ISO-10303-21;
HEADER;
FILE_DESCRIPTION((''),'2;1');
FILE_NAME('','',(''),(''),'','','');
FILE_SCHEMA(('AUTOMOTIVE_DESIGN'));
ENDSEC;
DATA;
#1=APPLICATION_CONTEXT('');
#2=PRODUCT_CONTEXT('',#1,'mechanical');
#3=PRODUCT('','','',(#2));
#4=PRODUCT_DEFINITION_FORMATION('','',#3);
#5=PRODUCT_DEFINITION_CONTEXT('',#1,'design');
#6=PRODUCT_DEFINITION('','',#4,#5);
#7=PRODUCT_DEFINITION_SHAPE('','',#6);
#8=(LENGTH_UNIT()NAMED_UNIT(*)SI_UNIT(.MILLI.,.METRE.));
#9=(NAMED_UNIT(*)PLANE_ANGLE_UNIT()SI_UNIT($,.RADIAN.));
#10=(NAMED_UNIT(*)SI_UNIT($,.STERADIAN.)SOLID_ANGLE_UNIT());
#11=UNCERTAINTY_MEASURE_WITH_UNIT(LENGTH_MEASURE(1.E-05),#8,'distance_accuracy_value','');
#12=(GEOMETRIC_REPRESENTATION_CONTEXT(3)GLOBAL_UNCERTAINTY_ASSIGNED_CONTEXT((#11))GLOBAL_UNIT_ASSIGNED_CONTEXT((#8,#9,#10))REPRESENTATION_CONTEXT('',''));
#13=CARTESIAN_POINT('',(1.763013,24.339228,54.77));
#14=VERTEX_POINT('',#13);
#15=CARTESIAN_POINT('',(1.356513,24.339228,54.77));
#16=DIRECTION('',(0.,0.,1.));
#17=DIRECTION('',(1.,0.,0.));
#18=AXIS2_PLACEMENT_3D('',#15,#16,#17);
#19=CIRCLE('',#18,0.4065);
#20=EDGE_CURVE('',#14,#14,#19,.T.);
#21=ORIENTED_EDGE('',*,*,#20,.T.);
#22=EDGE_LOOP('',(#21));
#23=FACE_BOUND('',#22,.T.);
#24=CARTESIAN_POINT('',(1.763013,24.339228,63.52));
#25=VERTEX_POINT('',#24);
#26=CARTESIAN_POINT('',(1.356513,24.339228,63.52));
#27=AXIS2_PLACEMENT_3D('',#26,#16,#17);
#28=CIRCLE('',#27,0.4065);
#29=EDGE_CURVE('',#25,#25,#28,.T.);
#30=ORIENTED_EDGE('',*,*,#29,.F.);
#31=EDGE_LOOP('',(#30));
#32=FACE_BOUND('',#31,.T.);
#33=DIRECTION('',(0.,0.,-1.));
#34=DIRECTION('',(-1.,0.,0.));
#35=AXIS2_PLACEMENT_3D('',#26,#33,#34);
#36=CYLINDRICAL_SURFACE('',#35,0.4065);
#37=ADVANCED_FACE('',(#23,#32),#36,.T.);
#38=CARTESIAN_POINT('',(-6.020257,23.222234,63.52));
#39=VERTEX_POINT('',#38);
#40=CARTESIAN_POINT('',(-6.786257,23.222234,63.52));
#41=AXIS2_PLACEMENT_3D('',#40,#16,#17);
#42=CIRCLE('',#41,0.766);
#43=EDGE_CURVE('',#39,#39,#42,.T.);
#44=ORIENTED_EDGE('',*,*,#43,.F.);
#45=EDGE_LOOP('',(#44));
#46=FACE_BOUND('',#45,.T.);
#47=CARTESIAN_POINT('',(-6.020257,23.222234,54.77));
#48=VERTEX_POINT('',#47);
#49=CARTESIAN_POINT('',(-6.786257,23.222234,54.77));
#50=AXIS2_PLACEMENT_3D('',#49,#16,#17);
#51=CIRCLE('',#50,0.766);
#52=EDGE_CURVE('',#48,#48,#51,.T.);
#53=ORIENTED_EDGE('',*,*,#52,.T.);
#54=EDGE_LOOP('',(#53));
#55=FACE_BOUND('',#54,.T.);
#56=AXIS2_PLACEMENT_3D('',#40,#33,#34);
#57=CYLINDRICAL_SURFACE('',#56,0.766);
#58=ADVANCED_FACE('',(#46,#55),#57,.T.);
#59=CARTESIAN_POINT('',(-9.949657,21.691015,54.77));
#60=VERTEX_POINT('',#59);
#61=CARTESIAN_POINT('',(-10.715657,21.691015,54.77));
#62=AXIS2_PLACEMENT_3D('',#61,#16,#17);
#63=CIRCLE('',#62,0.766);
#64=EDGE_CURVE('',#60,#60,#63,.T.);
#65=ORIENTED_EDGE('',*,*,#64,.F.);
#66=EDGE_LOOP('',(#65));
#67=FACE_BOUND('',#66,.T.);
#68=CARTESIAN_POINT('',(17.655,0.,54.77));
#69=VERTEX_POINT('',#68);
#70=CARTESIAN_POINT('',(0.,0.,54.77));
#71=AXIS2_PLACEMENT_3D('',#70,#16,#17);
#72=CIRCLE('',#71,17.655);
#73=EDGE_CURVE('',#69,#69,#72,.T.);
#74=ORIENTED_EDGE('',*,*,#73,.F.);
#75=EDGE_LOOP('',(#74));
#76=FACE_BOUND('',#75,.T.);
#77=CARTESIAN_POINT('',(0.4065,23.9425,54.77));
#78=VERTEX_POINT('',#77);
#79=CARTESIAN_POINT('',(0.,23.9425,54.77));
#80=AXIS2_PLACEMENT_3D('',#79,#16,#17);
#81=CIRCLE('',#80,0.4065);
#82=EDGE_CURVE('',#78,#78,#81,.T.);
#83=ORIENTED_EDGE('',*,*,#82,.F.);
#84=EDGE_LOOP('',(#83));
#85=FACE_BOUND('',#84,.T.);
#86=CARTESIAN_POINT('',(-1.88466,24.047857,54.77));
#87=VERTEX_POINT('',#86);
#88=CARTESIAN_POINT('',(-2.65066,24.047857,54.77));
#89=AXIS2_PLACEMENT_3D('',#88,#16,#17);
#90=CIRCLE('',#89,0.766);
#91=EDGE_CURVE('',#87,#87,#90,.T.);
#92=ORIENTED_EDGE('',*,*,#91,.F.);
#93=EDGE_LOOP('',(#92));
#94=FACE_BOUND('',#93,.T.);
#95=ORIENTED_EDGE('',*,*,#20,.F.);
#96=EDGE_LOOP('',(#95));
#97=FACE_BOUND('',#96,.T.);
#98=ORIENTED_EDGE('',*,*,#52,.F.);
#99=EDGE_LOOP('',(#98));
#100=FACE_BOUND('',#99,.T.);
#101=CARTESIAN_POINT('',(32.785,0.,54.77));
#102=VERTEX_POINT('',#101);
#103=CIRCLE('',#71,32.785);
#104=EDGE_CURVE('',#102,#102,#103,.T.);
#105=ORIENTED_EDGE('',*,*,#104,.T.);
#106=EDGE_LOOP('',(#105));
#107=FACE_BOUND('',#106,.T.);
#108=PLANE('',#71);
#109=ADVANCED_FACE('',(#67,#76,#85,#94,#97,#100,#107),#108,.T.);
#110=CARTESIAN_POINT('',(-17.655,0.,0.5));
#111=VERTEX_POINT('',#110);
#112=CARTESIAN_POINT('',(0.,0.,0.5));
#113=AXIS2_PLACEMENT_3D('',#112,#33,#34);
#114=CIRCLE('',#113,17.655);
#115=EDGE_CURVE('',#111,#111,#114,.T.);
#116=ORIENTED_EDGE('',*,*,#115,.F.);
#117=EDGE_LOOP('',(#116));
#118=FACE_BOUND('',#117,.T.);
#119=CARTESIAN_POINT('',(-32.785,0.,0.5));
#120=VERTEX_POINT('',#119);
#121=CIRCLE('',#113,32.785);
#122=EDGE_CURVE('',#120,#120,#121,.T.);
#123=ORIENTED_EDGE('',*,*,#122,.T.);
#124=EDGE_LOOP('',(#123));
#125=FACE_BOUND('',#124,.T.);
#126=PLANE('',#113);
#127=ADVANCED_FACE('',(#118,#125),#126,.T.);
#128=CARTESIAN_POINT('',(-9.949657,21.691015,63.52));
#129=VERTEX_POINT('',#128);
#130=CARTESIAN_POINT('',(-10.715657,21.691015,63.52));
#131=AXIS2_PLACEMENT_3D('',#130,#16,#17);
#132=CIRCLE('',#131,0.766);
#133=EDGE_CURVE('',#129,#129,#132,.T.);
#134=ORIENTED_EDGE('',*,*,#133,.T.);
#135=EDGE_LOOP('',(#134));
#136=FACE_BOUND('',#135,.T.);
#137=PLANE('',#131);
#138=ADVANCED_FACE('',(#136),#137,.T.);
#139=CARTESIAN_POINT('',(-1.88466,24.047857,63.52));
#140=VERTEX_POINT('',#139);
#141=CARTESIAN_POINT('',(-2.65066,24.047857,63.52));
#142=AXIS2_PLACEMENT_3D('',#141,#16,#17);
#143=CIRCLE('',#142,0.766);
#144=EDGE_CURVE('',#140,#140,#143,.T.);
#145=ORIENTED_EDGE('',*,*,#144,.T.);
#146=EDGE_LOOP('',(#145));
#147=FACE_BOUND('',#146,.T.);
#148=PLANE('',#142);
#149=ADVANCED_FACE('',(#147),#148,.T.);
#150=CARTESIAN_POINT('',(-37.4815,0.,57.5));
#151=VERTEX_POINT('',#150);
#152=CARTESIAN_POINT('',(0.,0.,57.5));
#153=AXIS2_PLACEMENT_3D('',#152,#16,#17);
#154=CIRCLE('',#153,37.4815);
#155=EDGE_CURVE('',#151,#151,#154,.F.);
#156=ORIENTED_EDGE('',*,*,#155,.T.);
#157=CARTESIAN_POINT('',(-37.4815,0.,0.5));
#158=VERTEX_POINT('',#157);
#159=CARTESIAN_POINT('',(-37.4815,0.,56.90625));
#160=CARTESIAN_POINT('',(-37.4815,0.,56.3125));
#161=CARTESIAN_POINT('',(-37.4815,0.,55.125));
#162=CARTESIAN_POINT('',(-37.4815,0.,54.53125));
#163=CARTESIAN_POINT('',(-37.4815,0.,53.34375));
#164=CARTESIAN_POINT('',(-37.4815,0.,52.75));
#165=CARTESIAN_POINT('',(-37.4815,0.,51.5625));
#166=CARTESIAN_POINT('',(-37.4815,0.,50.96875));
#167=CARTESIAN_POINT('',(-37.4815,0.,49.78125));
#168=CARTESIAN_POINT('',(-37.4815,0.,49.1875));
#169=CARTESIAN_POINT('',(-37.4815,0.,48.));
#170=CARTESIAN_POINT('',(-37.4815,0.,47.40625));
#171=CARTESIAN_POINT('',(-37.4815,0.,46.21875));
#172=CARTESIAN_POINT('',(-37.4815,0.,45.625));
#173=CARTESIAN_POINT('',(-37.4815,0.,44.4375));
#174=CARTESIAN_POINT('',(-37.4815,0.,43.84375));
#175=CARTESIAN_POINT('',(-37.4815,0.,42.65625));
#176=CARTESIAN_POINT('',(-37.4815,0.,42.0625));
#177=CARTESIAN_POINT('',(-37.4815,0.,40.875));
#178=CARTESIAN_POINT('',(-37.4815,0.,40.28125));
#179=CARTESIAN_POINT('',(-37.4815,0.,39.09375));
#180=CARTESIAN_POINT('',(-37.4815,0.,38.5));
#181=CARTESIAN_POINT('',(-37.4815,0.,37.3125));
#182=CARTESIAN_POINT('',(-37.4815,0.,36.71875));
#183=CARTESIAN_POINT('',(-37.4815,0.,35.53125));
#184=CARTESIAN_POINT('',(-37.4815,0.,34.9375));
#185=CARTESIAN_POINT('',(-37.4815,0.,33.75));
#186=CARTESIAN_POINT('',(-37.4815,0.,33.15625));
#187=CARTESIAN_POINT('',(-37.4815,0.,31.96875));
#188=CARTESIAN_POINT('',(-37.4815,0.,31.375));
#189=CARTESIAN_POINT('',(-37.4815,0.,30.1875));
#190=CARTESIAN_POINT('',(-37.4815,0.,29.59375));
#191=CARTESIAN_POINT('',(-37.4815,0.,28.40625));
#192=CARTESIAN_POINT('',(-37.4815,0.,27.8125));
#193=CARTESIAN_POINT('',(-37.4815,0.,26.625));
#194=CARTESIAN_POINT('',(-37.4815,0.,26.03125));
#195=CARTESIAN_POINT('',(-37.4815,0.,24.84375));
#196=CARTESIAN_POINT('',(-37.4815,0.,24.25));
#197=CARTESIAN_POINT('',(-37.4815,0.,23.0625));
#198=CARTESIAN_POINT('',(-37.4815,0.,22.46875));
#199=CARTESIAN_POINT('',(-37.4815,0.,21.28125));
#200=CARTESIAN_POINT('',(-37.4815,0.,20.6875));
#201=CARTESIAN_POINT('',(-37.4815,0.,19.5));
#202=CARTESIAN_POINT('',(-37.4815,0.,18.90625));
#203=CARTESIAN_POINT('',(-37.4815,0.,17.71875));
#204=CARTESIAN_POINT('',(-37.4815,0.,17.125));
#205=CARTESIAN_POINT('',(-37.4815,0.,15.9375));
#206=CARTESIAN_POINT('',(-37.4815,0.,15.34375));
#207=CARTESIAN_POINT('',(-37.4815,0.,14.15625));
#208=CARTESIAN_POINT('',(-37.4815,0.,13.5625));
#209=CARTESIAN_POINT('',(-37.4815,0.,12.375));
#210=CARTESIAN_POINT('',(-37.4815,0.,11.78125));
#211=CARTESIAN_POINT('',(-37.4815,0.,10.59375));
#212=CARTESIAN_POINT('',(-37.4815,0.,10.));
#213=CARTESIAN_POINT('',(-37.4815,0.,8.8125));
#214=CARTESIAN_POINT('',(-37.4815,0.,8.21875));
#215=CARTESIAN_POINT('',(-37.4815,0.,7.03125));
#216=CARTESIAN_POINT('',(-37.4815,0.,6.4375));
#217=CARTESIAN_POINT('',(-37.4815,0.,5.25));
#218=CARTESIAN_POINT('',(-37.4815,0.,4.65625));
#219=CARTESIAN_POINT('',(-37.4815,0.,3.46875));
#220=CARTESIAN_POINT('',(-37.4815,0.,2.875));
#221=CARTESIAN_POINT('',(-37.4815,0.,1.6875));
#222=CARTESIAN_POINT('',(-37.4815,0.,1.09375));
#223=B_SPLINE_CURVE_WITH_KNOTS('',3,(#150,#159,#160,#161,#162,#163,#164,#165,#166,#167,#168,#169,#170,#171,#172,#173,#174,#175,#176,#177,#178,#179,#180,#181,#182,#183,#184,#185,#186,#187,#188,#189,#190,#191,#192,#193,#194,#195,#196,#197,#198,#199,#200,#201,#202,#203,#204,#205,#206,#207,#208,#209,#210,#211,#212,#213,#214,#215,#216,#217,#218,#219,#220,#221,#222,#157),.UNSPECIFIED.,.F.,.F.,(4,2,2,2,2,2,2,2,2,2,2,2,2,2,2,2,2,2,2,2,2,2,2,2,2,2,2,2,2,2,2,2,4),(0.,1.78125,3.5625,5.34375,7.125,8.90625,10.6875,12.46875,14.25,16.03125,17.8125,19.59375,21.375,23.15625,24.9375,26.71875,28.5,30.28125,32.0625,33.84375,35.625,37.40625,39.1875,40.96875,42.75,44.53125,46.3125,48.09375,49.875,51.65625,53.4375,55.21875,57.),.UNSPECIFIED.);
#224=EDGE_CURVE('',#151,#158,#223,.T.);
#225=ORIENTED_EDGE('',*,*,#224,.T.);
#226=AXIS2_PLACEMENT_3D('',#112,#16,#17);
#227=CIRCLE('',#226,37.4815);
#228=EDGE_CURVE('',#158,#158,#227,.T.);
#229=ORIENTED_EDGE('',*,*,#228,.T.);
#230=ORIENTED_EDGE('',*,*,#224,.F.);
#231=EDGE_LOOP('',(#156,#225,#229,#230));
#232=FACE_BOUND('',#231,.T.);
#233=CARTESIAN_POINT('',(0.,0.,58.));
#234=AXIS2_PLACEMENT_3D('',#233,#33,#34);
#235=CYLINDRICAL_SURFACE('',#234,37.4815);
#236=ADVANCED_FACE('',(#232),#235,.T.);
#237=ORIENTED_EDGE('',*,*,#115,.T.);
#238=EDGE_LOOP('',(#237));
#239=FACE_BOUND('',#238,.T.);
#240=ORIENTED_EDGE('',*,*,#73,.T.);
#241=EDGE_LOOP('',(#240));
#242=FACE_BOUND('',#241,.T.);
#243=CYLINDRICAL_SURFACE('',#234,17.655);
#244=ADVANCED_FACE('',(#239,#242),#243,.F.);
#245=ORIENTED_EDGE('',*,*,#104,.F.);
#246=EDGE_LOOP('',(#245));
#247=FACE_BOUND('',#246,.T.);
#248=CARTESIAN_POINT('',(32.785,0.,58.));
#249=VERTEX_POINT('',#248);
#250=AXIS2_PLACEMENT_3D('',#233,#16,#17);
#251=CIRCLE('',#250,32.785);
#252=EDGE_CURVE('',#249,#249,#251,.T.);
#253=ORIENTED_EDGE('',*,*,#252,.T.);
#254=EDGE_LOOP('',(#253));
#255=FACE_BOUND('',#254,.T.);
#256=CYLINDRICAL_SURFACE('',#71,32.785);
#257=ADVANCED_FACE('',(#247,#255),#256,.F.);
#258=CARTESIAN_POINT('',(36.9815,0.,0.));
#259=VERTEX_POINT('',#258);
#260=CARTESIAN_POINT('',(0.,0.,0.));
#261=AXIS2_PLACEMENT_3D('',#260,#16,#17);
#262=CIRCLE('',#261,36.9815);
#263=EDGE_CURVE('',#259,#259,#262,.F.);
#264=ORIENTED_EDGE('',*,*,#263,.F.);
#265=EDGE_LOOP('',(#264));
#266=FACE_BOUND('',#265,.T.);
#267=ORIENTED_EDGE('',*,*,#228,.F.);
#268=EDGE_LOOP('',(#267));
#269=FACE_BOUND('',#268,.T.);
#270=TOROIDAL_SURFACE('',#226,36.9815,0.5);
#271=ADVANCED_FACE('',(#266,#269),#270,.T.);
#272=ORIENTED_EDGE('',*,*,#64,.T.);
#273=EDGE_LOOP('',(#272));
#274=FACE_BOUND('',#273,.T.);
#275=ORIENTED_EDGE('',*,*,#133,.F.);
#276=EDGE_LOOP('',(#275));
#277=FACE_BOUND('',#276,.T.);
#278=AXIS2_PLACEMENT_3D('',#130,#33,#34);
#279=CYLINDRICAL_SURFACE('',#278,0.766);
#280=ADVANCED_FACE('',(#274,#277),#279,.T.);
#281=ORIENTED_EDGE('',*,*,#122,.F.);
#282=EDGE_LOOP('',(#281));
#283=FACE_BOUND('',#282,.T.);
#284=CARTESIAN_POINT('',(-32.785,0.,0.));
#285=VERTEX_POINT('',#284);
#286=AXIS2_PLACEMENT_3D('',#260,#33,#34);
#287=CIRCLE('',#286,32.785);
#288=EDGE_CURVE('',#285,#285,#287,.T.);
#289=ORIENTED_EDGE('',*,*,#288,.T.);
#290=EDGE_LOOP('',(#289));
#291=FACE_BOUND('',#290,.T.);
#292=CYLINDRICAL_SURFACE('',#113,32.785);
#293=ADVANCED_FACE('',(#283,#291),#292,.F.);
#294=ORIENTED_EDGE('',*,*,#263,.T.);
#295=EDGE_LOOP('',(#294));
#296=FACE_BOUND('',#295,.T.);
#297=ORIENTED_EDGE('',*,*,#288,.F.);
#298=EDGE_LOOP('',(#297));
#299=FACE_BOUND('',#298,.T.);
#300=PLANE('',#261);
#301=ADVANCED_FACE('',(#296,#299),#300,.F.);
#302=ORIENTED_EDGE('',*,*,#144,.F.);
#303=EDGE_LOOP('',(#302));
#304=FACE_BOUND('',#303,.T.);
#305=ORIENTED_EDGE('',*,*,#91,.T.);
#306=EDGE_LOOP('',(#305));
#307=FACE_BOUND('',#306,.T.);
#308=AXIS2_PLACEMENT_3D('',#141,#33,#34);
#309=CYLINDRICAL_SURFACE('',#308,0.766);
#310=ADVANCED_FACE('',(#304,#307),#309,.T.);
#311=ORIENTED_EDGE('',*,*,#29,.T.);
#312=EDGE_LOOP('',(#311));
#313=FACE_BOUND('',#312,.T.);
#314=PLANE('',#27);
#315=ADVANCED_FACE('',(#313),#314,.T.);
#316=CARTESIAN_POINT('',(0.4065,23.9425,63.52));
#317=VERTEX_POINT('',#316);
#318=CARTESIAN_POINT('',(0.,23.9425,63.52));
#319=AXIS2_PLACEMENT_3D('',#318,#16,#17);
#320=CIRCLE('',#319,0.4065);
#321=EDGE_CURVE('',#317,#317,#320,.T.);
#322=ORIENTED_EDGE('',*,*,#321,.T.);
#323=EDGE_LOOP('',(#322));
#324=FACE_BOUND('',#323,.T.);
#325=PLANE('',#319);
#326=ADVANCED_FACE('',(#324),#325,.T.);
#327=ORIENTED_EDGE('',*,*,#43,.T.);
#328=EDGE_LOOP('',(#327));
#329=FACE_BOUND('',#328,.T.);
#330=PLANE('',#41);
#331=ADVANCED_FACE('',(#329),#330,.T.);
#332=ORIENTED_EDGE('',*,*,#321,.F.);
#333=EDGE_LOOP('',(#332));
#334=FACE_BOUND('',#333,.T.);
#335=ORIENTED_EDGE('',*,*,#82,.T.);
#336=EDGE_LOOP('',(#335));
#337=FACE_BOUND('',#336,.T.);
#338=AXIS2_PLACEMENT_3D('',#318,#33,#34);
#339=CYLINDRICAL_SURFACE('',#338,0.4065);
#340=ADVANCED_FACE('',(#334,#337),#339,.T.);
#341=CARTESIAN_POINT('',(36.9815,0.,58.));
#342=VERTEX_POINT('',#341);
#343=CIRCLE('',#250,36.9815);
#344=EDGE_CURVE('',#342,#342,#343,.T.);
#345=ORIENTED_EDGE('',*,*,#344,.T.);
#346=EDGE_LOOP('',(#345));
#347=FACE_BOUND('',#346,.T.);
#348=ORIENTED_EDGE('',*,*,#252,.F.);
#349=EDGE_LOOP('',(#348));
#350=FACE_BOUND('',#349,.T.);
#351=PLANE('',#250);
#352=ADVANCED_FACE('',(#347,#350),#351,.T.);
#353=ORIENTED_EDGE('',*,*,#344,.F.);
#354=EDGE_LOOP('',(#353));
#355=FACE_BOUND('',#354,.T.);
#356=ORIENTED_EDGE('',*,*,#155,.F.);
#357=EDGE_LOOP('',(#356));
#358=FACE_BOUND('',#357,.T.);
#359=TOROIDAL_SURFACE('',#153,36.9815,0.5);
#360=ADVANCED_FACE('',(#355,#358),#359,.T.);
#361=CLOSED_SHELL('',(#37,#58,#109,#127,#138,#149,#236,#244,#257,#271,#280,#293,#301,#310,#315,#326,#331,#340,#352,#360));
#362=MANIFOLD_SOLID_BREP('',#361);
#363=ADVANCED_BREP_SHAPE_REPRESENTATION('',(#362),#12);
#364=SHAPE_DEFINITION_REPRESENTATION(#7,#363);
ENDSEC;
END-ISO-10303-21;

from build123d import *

# Parameters (mm, degrees)
SKETCH_1_R          = 37.4815
EXTRUDE_1_DEPTH     = 58
SKETCH_2_R          = 32.785
CUT_EXTRUDE_1_DEPTH = 0.5
CUT_EXTRUDE_START   = -3.23
SKETCH_3_R          = 32.785
CUT_EXTRUDE_2_DEPTH = 3.23
SKETCH_4_R          = 17.655
CUT_EXTRUDE_3_DEPTH = 79.204703724
SKETCH_5_R          = 0.766
SKETCH_5_R_2        = 0.4065
EXTRUDE_2_DEPTH     = 8.75
FILLET_1_R          = 0.5


with BuildPart() as part:
    # 草图1 → 凸台-拉伸1 (new body)
    with BuildSketch(Plane.XY):
        with Locations(Location((0, 0, 0), (0, 0, 180))):
            Circle(SKETCH_1_R)
    extrude(amount=EXTRUDE_1_DEPTH)

    # 草图2 → 切除-拉伸1 (cut)
    with BuildSketch(Plane(origin=(0, 0, 0), x_dir=(-1, 0, 0), z_dir=(0, 0, -1))):
        Circle(SKETCH_2_R)
    extrude(amount=-CUT_EXTRUDE_1_DEPTH, mode=Mode.SUBTRACT)

    # 草图3 → 切除-拉伸2 (cut)
    with BuildSketch(Plane.XY.offset(58).offset(CUT_EXTRUDE_START)):
        with Locations(Location((0, 0, 0), (0, 0, 180))):
            Circle(SKETCH_3_R)
    extrude(amount=CUT_EXTRUDE_2_DEPTH, mode=Mode.SUBTRACT)

    # 草图4 → 切除-拉伸3 (cut, through all)
    with BuildSketch(Plane(origin=(0, 0, 0.5), x_dir=(-1, 0, 0), z_dir=(0, 0, -1))):
        Circle(SKETCH_4_R)
    extrude(amount=-CUT_EXTRUDE_3_DEPTH, mode=Mode.SUBTRACT)

    # 草图5 → 凸台-拉伸2 (add)
    with BuildSketch(Plane.XY.offset(54.77)):
        with Locations((-10.715657222, 21.691015019)):
            Circle(SKETCH_5_R)
        with Locations((-6.786257081, 23.22223411)):
            Circle(SKETCH_5_R)
        with Locations((-2.650659953, 24.04785737)):
            Circle(SKETCH_5_R)
        with Locations((0, 23.9425)):
            Circle(SKETCH_5_R_2)
        with Locations((1.356512851, 24.339227635)):
            Circle(SKETCH_5_R_2)
    extrude(amount=EXTRUDE_2_DEPTH)

    # 圆角1
    fillet_1_edges = [part.edges().sort_by_distance(p)[0] for p in [
        (37.4815, 0, 0),
        (37.4815, 0, 58),
    ]]
    fillet(fillet_1_edges, radius=FILLET_1_R)


solid = part.part
